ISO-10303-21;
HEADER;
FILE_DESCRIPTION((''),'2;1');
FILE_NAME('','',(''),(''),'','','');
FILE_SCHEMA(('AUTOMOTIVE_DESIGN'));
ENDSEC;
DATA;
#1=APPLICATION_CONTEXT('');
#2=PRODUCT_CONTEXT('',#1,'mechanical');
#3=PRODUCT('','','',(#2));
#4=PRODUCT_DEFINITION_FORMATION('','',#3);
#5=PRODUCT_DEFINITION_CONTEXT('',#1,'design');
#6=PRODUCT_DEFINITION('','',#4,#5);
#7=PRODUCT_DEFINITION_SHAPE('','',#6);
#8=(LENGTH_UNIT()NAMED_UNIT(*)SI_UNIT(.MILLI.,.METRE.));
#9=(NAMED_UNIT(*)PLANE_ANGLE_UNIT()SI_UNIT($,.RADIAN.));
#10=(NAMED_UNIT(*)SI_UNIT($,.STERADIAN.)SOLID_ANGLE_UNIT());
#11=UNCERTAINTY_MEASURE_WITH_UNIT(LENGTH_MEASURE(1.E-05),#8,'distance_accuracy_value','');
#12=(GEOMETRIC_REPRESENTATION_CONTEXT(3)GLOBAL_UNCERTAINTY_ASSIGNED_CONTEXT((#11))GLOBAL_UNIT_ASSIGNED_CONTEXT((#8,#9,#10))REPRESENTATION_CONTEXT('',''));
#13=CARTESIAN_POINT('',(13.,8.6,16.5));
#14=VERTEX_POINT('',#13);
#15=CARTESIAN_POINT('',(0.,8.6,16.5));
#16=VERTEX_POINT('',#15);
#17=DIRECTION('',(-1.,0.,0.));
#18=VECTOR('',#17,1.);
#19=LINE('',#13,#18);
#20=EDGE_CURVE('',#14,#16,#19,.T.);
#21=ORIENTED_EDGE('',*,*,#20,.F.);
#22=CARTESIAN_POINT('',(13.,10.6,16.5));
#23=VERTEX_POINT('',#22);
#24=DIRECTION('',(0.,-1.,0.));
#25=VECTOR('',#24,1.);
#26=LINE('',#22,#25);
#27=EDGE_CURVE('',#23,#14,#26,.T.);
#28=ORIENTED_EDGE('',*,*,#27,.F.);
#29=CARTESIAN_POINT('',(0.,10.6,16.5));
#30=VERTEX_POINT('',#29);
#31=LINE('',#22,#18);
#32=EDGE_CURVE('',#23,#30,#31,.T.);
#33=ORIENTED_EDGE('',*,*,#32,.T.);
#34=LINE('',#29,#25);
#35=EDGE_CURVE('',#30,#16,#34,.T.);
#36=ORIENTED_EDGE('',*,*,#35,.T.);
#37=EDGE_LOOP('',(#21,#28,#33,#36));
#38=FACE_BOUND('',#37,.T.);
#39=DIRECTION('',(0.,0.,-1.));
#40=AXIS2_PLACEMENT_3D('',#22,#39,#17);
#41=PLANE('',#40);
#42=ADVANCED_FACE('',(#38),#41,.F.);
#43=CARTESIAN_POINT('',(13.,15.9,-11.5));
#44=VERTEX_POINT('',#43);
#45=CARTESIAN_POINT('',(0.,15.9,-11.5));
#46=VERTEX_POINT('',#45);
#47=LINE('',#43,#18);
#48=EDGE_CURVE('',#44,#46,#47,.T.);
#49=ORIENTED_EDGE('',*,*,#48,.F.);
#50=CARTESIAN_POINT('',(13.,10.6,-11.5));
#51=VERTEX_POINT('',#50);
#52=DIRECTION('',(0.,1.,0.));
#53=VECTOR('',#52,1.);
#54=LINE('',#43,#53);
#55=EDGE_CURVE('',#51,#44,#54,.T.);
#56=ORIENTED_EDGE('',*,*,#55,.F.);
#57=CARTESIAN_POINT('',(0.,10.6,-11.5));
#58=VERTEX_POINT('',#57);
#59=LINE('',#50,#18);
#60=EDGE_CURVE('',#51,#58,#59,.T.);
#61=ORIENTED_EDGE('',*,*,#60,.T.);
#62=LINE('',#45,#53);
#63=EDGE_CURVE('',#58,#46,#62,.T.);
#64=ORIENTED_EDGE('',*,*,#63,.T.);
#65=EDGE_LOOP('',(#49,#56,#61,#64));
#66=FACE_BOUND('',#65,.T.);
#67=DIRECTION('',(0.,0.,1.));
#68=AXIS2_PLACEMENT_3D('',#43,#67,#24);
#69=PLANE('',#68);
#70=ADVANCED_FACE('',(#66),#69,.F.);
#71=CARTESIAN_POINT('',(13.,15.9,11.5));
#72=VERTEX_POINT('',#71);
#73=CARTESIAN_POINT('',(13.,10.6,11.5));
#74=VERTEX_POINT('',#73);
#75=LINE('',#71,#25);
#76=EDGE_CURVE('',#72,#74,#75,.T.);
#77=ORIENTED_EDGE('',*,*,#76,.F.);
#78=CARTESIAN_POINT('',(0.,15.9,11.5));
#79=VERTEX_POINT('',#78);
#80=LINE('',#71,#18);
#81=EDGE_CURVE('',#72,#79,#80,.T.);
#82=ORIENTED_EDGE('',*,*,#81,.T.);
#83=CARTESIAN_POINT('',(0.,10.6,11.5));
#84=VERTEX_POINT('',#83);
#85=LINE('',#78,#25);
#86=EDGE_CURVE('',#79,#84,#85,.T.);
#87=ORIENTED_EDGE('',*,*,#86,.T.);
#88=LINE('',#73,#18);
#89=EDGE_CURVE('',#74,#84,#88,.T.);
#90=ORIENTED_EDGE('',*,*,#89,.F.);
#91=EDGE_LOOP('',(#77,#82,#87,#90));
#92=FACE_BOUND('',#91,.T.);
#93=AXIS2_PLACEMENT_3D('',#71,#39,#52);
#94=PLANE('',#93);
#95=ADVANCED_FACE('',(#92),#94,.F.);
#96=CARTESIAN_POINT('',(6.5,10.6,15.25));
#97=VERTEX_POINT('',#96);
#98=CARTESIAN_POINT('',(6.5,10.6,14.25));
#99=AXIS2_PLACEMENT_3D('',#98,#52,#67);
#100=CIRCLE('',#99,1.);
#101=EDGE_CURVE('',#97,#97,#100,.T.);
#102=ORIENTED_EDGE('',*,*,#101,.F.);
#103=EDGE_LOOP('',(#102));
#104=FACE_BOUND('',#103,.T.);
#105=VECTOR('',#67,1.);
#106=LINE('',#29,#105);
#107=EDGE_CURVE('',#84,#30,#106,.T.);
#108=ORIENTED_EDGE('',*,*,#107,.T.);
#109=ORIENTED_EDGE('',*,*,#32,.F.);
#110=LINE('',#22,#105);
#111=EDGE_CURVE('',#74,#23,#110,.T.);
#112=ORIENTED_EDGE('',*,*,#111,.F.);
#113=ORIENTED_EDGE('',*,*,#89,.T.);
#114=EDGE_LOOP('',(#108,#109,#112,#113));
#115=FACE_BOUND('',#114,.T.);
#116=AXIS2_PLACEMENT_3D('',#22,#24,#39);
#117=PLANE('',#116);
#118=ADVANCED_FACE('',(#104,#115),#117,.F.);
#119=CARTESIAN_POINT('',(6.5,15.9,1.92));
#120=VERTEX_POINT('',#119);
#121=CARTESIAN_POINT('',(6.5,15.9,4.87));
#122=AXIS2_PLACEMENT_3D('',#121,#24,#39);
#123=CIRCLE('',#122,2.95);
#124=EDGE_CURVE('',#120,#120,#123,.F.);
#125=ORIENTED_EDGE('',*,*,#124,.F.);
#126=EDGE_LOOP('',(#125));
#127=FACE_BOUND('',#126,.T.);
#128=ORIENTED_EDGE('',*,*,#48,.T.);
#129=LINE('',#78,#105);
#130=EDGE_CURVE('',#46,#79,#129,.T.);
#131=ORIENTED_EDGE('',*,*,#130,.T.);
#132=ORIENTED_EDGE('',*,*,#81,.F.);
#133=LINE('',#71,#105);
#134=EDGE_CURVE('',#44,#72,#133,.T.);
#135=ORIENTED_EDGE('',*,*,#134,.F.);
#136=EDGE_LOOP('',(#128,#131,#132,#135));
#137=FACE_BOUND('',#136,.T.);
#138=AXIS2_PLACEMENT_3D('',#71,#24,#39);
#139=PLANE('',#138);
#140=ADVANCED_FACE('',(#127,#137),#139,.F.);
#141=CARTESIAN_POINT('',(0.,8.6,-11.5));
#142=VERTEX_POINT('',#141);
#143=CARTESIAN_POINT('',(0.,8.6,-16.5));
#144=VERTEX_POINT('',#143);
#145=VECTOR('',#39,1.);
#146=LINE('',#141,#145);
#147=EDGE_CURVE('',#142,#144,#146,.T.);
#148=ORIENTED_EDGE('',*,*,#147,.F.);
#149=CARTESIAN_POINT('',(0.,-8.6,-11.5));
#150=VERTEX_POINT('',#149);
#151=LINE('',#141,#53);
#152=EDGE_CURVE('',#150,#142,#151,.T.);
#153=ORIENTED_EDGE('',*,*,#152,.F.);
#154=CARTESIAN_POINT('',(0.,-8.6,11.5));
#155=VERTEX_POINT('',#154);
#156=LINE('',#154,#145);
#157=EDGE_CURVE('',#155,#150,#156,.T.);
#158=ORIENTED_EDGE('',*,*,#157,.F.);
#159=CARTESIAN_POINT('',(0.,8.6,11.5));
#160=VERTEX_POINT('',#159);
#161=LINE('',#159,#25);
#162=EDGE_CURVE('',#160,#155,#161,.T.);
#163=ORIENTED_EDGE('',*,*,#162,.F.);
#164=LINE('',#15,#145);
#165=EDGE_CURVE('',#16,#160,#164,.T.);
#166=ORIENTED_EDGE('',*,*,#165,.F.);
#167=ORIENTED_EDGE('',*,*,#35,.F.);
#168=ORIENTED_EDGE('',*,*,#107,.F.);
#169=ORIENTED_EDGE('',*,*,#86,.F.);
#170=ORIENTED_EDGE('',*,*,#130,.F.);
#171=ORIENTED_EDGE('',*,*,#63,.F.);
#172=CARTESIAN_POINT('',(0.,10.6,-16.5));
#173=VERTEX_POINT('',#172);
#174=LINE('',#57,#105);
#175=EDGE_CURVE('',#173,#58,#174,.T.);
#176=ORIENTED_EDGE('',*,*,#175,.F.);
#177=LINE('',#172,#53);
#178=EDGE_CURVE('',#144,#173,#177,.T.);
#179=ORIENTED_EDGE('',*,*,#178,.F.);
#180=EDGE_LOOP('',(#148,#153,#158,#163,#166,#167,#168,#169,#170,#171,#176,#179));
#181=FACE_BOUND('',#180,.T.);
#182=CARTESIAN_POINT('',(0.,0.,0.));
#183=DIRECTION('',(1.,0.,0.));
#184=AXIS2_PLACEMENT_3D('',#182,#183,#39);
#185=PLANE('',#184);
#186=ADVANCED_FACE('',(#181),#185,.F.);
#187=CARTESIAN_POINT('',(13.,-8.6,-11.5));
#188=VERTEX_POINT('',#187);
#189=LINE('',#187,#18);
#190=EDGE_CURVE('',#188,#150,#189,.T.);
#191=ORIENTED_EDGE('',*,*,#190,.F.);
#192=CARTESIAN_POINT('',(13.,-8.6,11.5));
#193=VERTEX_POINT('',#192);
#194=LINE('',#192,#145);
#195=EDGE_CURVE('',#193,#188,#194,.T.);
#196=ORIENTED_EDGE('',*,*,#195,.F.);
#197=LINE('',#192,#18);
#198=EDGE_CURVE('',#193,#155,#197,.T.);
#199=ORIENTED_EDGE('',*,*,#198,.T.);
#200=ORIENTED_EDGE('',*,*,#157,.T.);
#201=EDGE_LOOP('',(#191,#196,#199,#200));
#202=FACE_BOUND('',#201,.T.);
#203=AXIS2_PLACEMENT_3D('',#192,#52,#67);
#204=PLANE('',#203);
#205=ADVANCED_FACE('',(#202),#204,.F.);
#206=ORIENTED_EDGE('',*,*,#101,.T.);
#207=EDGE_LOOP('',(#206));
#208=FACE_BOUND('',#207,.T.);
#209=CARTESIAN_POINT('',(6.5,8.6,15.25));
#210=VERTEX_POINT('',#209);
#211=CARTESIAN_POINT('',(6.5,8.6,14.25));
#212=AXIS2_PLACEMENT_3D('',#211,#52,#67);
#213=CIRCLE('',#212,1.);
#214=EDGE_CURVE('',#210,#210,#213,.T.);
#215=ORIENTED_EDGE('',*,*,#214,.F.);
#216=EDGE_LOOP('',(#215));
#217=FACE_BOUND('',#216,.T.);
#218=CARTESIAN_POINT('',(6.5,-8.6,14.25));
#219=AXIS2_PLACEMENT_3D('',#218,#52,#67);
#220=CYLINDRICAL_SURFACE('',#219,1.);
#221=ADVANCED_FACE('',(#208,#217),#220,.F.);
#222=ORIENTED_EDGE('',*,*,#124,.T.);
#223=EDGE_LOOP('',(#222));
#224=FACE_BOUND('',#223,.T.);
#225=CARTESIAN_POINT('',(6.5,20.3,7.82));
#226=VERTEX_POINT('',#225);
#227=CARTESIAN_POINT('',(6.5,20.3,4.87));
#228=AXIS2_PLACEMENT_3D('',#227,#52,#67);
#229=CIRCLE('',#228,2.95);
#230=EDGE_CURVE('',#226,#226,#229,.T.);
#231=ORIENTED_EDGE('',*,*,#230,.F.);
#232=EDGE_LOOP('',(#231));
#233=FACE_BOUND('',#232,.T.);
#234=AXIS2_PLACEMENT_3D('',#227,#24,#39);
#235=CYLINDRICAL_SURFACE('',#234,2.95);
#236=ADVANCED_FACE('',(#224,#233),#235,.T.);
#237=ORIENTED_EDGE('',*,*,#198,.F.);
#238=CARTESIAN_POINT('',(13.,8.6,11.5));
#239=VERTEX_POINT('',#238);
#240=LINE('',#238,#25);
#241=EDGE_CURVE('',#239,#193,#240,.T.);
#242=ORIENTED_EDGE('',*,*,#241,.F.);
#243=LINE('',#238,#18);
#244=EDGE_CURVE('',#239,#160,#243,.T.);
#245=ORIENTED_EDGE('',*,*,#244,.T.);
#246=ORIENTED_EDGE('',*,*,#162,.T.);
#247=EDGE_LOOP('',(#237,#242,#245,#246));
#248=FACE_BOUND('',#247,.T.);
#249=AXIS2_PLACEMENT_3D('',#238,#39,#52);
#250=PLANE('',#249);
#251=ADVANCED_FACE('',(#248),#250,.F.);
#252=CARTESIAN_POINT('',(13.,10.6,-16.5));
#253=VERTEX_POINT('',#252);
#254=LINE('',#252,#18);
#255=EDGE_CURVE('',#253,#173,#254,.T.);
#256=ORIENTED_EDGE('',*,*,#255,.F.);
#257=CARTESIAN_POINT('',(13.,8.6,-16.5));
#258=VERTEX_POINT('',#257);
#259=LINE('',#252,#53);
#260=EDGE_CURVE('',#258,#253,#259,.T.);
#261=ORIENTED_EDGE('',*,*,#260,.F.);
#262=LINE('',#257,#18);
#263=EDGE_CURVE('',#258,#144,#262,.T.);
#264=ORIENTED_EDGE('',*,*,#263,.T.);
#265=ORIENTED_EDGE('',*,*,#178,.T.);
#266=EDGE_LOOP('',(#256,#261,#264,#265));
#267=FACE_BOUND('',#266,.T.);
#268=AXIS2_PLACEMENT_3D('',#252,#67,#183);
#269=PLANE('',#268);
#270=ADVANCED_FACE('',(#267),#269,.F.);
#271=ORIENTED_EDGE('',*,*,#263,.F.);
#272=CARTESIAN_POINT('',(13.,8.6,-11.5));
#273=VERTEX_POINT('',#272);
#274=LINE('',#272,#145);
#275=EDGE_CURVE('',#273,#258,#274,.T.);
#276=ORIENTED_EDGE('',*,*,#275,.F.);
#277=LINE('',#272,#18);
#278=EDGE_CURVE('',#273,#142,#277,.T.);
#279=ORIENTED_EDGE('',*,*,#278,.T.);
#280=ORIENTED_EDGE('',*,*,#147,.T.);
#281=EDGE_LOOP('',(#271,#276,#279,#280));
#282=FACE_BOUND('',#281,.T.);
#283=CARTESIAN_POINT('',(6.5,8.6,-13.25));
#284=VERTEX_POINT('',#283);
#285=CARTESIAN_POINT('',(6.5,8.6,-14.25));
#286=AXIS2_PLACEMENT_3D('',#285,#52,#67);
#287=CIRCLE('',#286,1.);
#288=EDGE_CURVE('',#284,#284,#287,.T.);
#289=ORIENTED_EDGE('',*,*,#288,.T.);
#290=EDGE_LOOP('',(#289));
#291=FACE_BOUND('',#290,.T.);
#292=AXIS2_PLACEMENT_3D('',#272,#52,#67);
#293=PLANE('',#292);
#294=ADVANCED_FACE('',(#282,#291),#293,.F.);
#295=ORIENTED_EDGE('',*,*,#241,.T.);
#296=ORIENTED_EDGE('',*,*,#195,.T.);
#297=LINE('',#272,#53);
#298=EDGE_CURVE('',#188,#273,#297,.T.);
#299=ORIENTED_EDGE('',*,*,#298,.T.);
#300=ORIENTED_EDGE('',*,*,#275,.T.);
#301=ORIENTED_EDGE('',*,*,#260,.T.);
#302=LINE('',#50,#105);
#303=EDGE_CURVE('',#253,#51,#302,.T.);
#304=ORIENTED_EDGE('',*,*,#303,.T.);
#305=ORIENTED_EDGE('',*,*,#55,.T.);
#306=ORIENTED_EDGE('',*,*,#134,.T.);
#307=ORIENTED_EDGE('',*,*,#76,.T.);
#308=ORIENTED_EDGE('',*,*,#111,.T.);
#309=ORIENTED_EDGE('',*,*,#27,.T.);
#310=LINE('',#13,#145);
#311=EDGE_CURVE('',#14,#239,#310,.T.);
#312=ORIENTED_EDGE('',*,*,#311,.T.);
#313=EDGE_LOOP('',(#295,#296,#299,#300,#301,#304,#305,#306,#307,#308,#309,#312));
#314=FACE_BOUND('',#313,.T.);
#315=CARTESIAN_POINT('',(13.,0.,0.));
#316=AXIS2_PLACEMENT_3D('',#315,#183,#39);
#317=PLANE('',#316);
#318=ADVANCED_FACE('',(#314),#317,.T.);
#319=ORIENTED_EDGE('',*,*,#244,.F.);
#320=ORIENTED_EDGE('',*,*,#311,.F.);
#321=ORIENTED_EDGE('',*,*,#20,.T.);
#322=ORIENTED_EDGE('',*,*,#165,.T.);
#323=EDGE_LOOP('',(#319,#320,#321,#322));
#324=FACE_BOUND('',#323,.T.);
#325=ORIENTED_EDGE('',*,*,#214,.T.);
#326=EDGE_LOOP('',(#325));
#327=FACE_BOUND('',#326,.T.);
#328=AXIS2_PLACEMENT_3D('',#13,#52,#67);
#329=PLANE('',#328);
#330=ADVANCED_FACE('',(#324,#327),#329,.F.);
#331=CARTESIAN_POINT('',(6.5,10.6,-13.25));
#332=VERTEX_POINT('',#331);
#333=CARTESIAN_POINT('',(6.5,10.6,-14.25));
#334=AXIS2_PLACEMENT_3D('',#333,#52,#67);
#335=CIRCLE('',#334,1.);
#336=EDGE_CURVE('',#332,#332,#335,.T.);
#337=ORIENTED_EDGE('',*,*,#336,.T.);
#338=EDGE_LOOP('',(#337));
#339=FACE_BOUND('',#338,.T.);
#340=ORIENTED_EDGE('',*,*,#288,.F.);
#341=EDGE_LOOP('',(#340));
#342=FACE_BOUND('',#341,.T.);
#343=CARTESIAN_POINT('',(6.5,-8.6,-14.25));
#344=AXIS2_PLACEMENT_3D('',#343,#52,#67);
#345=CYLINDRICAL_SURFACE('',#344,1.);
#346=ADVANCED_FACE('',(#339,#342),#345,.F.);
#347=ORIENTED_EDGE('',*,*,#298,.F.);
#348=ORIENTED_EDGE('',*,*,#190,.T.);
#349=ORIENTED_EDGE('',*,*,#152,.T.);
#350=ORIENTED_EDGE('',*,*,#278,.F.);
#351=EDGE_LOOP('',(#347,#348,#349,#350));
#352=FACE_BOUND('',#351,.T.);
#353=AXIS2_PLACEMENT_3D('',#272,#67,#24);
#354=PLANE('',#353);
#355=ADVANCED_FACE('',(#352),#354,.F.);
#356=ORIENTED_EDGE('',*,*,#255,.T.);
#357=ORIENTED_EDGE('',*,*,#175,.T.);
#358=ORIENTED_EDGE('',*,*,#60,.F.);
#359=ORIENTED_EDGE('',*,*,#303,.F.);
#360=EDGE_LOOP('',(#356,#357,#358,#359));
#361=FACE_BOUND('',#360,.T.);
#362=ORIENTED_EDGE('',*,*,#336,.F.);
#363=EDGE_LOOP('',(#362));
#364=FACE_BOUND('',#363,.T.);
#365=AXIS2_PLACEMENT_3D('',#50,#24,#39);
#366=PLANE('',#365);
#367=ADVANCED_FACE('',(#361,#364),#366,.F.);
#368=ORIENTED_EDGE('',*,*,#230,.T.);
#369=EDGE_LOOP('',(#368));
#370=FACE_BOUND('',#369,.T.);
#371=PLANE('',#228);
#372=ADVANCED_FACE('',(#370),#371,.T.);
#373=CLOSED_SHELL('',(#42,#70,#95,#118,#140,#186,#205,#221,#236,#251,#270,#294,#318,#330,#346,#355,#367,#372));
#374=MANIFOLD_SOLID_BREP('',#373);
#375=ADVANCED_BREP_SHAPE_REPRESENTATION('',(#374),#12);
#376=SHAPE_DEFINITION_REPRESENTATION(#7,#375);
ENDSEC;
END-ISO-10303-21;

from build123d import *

# Parameters (mm, degrees)
EXTRUDE_1_DEPTH     = 13
SKETCH_4_R          = 1
CUT_EXTRUDE_1_DEPTH = 29.458566373
SKETCH_6_R          = 2.95
EXTRUDE_2_DEPTH     = 4.4


with BuildPart() as part:
    # 草圖1 → 填料-伸長1 (new body)
    with BuildSketch(Plane(origin=(0, 0, 0), x_dir=(0, 0, -1), z_dir=(1, 0, 0))):
        Polygon((11.5, 10.6), (16.5, 10.6), (16.5, 8.6), (11.5, 8.6), (11.5, -8.6), (-11.5, -8.6), (-11.5, 8.6), (-16.5, 8.6), (-16.5, 10.6), (-11.5, 10.6), (-11.5, 15.9), (11.5, 15.9), align=None)
    extrude(amount=EXTRUDE_1_DEPTH)

    # 草圖4 → 除料-伸長1 (cut, through all)
    with BuildSketch(Plane(origin=(0, 10.6, 0), x_dir=(1, 0, 0), z_dir=(0, 1, 0))):
        with Locations(Location((6.5, 14.25, 0), (0, 0, 270))):
            Circle(SKETCH_4_R)
        with Locations(Location((6.5, -14.25, 0), (0, 0, 270))):
            Circle(SKETCH_4_R)
    extrude(amount=-CUT_EXTRUDE_1_DEPTH, mode=Mode.SUBTRACT)

    # 草圖6 → 填料-伸長2 (add)
    with BuildSketch(Plane(origin=(0, 15.9, 0), x_dir=(1, 0, 0), z_dir=(0, 1, 0))):
        with Locations(Location((6.5, -4.87, 0), (0, 0, 90))):
            Circle(SKETCH_6_R)
    extrude(amount=EXTRUDE_2_DEPTH)


solid = part.part
